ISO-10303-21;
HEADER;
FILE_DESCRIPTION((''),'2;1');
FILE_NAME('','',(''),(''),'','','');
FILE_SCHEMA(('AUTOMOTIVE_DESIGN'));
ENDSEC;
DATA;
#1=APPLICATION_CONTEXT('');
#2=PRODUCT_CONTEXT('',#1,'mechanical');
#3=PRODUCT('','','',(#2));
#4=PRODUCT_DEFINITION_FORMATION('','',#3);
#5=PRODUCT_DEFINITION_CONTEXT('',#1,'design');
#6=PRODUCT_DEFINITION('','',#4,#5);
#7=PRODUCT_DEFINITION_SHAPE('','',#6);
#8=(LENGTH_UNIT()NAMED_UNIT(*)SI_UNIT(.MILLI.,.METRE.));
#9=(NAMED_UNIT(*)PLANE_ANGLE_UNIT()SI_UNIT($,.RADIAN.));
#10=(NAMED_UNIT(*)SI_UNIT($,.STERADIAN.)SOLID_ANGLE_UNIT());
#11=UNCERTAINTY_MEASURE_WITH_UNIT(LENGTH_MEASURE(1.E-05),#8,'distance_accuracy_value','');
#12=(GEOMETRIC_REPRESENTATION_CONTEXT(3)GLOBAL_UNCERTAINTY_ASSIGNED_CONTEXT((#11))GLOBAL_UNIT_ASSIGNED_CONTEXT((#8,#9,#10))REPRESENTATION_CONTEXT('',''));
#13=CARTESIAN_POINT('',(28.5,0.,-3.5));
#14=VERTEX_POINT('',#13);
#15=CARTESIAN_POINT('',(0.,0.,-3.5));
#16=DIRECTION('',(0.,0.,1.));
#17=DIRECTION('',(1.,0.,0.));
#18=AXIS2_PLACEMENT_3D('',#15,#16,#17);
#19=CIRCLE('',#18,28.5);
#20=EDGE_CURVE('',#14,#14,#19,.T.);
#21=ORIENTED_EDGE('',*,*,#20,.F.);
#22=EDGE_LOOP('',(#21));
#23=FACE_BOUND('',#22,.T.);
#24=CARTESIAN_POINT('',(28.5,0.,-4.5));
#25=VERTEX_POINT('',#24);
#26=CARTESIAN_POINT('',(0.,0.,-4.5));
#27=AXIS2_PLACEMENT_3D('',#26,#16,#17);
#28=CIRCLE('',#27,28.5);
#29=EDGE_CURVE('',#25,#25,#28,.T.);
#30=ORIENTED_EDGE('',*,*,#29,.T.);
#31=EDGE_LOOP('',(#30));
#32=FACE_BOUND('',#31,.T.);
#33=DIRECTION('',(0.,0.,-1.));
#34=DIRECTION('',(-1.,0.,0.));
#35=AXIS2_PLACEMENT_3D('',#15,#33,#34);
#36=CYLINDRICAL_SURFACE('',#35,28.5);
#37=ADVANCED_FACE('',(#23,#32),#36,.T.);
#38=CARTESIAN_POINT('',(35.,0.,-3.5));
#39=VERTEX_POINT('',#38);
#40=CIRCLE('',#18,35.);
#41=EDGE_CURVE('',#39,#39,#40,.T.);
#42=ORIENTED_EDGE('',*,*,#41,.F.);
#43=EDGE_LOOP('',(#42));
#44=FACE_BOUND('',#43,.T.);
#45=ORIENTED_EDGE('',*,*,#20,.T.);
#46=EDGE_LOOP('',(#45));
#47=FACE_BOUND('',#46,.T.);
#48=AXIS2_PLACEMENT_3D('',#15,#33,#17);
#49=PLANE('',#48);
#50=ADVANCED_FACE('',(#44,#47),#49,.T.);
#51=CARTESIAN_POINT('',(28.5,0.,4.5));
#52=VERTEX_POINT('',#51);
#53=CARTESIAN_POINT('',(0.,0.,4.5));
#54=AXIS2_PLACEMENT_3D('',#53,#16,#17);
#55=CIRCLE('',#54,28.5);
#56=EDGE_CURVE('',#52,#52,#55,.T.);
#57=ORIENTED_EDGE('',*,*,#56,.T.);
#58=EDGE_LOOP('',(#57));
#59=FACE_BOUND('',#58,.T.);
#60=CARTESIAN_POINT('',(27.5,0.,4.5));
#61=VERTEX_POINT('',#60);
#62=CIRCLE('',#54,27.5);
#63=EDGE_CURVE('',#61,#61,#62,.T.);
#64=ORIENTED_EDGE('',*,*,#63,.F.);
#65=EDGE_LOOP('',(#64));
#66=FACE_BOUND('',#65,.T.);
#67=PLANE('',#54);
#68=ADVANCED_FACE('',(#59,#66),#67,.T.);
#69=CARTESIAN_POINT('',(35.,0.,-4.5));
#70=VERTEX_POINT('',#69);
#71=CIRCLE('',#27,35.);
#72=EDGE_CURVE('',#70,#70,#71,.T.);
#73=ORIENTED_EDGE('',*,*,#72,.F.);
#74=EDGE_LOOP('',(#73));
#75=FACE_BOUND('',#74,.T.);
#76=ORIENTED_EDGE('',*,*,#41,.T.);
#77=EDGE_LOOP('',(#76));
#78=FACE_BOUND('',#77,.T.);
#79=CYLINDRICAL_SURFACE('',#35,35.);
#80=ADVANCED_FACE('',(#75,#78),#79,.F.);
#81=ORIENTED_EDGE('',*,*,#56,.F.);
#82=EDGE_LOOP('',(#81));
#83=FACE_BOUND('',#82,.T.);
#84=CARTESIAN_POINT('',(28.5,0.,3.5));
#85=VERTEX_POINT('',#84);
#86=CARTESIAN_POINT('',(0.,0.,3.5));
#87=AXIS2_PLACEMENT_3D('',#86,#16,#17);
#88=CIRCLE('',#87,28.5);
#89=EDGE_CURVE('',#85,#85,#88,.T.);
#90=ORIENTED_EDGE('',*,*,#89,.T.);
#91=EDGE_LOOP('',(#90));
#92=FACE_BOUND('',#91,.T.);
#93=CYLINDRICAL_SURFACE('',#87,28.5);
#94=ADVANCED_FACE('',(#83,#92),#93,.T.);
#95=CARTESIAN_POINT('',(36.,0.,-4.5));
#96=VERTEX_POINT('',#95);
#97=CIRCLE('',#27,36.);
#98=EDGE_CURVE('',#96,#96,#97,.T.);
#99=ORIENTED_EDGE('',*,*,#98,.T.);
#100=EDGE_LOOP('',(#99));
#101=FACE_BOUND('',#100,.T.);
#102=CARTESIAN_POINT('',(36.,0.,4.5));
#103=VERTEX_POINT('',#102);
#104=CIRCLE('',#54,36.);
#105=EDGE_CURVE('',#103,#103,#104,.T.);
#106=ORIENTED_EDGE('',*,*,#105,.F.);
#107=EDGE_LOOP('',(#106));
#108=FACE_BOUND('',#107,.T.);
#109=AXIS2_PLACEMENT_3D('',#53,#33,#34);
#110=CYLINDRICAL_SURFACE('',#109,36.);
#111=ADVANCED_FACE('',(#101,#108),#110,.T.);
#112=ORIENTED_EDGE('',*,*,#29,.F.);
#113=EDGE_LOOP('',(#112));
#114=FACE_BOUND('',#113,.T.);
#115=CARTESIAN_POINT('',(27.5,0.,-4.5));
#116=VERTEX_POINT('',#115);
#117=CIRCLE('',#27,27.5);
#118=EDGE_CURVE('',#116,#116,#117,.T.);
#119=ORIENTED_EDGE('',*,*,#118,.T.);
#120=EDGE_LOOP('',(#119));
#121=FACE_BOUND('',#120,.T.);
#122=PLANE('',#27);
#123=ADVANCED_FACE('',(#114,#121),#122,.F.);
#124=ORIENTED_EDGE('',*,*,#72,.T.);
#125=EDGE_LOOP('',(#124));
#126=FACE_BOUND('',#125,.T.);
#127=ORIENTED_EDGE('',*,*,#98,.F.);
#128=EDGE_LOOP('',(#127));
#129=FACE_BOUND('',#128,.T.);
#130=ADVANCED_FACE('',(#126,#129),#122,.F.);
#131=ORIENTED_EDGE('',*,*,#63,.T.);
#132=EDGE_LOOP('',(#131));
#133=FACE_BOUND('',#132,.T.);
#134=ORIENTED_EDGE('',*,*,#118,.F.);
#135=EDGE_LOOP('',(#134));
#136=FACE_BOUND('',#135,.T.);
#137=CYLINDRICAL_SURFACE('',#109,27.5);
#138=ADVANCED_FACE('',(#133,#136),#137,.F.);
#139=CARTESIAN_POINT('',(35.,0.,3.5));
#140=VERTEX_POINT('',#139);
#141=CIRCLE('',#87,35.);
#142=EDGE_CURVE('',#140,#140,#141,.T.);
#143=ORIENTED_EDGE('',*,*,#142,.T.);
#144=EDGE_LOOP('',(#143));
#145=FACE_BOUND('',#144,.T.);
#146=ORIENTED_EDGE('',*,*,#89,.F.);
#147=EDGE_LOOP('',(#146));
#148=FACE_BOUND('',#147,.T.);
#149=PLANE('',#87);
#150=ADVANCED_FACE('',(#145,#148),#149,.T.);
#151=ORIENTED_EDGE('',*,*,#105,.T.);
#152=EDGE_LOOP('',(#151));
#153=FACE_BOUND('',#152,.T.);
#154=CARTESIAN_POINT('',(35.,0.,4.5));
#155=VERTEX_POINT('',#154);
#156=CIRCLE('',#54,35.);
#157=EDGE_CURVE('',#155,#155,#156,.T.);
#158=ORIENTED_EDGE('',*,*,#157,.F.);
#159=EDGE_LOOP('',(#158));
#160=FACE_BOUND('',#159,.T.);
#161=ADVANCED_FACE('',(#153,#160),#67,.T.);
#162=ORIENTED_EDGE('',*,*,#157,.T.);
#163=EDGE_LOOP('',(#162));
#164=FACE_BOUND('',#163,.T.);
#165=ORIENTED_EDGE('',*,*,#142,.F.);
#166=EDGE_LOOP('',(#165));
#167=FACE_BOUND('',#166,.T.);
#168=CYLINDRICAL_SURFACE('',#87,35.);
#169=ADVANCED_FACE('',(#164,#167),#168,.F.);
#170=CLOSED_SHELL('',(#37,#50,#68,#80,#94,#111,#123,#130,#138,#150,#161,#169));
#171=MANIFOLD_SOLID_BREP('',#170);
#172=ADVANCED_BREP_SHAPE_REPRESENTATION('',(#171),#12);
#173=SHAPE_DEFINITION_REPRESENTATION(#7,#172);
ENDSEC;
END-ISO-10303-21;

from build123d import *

# Parameters (mm, degrees)
SKETCH1_R           = 36
SKETCH1_R_2         = 27.5
BOSS_EXTRUDE1_DEPTH = 4.5
SKETCH3_R           = 35
SKETCH3_R_2         = 28.5
CUT_EXTRUDE1_DEPTH  = 1


with BuildPart() as part:
    # Sketch1 → Boss-Extrude1 (new, symmetric)
    with BuildSketch(Plane.XY):
        Circle(SKETCH1_R)
        Circle(SKETCH1_R_2, mode=Mode.SUBTRACT)
    extrude(amount=BOSS_EXTRUDE1_DEPTH, both=True)

    # Sketch3 → Cut-Extrude1 (cut)
    with BuildSketch(Plane.XY.offset(4.5)):
        Circle(SKETCH3_R)
        Circle(SKETCH3_R_2, mode=Mode.SUBTRACT)
    cut_extrude1 = extrude(amount=-CUT_EXTRUDE1_DEPTH, mode=Mode.SUBTRACT)

    # Mirror1: Cut-Extrude1 across plane
    add(cut_extrude1.mirror(Plane.XY), mode=Mode.SUBTRACT)


solid = part.part
